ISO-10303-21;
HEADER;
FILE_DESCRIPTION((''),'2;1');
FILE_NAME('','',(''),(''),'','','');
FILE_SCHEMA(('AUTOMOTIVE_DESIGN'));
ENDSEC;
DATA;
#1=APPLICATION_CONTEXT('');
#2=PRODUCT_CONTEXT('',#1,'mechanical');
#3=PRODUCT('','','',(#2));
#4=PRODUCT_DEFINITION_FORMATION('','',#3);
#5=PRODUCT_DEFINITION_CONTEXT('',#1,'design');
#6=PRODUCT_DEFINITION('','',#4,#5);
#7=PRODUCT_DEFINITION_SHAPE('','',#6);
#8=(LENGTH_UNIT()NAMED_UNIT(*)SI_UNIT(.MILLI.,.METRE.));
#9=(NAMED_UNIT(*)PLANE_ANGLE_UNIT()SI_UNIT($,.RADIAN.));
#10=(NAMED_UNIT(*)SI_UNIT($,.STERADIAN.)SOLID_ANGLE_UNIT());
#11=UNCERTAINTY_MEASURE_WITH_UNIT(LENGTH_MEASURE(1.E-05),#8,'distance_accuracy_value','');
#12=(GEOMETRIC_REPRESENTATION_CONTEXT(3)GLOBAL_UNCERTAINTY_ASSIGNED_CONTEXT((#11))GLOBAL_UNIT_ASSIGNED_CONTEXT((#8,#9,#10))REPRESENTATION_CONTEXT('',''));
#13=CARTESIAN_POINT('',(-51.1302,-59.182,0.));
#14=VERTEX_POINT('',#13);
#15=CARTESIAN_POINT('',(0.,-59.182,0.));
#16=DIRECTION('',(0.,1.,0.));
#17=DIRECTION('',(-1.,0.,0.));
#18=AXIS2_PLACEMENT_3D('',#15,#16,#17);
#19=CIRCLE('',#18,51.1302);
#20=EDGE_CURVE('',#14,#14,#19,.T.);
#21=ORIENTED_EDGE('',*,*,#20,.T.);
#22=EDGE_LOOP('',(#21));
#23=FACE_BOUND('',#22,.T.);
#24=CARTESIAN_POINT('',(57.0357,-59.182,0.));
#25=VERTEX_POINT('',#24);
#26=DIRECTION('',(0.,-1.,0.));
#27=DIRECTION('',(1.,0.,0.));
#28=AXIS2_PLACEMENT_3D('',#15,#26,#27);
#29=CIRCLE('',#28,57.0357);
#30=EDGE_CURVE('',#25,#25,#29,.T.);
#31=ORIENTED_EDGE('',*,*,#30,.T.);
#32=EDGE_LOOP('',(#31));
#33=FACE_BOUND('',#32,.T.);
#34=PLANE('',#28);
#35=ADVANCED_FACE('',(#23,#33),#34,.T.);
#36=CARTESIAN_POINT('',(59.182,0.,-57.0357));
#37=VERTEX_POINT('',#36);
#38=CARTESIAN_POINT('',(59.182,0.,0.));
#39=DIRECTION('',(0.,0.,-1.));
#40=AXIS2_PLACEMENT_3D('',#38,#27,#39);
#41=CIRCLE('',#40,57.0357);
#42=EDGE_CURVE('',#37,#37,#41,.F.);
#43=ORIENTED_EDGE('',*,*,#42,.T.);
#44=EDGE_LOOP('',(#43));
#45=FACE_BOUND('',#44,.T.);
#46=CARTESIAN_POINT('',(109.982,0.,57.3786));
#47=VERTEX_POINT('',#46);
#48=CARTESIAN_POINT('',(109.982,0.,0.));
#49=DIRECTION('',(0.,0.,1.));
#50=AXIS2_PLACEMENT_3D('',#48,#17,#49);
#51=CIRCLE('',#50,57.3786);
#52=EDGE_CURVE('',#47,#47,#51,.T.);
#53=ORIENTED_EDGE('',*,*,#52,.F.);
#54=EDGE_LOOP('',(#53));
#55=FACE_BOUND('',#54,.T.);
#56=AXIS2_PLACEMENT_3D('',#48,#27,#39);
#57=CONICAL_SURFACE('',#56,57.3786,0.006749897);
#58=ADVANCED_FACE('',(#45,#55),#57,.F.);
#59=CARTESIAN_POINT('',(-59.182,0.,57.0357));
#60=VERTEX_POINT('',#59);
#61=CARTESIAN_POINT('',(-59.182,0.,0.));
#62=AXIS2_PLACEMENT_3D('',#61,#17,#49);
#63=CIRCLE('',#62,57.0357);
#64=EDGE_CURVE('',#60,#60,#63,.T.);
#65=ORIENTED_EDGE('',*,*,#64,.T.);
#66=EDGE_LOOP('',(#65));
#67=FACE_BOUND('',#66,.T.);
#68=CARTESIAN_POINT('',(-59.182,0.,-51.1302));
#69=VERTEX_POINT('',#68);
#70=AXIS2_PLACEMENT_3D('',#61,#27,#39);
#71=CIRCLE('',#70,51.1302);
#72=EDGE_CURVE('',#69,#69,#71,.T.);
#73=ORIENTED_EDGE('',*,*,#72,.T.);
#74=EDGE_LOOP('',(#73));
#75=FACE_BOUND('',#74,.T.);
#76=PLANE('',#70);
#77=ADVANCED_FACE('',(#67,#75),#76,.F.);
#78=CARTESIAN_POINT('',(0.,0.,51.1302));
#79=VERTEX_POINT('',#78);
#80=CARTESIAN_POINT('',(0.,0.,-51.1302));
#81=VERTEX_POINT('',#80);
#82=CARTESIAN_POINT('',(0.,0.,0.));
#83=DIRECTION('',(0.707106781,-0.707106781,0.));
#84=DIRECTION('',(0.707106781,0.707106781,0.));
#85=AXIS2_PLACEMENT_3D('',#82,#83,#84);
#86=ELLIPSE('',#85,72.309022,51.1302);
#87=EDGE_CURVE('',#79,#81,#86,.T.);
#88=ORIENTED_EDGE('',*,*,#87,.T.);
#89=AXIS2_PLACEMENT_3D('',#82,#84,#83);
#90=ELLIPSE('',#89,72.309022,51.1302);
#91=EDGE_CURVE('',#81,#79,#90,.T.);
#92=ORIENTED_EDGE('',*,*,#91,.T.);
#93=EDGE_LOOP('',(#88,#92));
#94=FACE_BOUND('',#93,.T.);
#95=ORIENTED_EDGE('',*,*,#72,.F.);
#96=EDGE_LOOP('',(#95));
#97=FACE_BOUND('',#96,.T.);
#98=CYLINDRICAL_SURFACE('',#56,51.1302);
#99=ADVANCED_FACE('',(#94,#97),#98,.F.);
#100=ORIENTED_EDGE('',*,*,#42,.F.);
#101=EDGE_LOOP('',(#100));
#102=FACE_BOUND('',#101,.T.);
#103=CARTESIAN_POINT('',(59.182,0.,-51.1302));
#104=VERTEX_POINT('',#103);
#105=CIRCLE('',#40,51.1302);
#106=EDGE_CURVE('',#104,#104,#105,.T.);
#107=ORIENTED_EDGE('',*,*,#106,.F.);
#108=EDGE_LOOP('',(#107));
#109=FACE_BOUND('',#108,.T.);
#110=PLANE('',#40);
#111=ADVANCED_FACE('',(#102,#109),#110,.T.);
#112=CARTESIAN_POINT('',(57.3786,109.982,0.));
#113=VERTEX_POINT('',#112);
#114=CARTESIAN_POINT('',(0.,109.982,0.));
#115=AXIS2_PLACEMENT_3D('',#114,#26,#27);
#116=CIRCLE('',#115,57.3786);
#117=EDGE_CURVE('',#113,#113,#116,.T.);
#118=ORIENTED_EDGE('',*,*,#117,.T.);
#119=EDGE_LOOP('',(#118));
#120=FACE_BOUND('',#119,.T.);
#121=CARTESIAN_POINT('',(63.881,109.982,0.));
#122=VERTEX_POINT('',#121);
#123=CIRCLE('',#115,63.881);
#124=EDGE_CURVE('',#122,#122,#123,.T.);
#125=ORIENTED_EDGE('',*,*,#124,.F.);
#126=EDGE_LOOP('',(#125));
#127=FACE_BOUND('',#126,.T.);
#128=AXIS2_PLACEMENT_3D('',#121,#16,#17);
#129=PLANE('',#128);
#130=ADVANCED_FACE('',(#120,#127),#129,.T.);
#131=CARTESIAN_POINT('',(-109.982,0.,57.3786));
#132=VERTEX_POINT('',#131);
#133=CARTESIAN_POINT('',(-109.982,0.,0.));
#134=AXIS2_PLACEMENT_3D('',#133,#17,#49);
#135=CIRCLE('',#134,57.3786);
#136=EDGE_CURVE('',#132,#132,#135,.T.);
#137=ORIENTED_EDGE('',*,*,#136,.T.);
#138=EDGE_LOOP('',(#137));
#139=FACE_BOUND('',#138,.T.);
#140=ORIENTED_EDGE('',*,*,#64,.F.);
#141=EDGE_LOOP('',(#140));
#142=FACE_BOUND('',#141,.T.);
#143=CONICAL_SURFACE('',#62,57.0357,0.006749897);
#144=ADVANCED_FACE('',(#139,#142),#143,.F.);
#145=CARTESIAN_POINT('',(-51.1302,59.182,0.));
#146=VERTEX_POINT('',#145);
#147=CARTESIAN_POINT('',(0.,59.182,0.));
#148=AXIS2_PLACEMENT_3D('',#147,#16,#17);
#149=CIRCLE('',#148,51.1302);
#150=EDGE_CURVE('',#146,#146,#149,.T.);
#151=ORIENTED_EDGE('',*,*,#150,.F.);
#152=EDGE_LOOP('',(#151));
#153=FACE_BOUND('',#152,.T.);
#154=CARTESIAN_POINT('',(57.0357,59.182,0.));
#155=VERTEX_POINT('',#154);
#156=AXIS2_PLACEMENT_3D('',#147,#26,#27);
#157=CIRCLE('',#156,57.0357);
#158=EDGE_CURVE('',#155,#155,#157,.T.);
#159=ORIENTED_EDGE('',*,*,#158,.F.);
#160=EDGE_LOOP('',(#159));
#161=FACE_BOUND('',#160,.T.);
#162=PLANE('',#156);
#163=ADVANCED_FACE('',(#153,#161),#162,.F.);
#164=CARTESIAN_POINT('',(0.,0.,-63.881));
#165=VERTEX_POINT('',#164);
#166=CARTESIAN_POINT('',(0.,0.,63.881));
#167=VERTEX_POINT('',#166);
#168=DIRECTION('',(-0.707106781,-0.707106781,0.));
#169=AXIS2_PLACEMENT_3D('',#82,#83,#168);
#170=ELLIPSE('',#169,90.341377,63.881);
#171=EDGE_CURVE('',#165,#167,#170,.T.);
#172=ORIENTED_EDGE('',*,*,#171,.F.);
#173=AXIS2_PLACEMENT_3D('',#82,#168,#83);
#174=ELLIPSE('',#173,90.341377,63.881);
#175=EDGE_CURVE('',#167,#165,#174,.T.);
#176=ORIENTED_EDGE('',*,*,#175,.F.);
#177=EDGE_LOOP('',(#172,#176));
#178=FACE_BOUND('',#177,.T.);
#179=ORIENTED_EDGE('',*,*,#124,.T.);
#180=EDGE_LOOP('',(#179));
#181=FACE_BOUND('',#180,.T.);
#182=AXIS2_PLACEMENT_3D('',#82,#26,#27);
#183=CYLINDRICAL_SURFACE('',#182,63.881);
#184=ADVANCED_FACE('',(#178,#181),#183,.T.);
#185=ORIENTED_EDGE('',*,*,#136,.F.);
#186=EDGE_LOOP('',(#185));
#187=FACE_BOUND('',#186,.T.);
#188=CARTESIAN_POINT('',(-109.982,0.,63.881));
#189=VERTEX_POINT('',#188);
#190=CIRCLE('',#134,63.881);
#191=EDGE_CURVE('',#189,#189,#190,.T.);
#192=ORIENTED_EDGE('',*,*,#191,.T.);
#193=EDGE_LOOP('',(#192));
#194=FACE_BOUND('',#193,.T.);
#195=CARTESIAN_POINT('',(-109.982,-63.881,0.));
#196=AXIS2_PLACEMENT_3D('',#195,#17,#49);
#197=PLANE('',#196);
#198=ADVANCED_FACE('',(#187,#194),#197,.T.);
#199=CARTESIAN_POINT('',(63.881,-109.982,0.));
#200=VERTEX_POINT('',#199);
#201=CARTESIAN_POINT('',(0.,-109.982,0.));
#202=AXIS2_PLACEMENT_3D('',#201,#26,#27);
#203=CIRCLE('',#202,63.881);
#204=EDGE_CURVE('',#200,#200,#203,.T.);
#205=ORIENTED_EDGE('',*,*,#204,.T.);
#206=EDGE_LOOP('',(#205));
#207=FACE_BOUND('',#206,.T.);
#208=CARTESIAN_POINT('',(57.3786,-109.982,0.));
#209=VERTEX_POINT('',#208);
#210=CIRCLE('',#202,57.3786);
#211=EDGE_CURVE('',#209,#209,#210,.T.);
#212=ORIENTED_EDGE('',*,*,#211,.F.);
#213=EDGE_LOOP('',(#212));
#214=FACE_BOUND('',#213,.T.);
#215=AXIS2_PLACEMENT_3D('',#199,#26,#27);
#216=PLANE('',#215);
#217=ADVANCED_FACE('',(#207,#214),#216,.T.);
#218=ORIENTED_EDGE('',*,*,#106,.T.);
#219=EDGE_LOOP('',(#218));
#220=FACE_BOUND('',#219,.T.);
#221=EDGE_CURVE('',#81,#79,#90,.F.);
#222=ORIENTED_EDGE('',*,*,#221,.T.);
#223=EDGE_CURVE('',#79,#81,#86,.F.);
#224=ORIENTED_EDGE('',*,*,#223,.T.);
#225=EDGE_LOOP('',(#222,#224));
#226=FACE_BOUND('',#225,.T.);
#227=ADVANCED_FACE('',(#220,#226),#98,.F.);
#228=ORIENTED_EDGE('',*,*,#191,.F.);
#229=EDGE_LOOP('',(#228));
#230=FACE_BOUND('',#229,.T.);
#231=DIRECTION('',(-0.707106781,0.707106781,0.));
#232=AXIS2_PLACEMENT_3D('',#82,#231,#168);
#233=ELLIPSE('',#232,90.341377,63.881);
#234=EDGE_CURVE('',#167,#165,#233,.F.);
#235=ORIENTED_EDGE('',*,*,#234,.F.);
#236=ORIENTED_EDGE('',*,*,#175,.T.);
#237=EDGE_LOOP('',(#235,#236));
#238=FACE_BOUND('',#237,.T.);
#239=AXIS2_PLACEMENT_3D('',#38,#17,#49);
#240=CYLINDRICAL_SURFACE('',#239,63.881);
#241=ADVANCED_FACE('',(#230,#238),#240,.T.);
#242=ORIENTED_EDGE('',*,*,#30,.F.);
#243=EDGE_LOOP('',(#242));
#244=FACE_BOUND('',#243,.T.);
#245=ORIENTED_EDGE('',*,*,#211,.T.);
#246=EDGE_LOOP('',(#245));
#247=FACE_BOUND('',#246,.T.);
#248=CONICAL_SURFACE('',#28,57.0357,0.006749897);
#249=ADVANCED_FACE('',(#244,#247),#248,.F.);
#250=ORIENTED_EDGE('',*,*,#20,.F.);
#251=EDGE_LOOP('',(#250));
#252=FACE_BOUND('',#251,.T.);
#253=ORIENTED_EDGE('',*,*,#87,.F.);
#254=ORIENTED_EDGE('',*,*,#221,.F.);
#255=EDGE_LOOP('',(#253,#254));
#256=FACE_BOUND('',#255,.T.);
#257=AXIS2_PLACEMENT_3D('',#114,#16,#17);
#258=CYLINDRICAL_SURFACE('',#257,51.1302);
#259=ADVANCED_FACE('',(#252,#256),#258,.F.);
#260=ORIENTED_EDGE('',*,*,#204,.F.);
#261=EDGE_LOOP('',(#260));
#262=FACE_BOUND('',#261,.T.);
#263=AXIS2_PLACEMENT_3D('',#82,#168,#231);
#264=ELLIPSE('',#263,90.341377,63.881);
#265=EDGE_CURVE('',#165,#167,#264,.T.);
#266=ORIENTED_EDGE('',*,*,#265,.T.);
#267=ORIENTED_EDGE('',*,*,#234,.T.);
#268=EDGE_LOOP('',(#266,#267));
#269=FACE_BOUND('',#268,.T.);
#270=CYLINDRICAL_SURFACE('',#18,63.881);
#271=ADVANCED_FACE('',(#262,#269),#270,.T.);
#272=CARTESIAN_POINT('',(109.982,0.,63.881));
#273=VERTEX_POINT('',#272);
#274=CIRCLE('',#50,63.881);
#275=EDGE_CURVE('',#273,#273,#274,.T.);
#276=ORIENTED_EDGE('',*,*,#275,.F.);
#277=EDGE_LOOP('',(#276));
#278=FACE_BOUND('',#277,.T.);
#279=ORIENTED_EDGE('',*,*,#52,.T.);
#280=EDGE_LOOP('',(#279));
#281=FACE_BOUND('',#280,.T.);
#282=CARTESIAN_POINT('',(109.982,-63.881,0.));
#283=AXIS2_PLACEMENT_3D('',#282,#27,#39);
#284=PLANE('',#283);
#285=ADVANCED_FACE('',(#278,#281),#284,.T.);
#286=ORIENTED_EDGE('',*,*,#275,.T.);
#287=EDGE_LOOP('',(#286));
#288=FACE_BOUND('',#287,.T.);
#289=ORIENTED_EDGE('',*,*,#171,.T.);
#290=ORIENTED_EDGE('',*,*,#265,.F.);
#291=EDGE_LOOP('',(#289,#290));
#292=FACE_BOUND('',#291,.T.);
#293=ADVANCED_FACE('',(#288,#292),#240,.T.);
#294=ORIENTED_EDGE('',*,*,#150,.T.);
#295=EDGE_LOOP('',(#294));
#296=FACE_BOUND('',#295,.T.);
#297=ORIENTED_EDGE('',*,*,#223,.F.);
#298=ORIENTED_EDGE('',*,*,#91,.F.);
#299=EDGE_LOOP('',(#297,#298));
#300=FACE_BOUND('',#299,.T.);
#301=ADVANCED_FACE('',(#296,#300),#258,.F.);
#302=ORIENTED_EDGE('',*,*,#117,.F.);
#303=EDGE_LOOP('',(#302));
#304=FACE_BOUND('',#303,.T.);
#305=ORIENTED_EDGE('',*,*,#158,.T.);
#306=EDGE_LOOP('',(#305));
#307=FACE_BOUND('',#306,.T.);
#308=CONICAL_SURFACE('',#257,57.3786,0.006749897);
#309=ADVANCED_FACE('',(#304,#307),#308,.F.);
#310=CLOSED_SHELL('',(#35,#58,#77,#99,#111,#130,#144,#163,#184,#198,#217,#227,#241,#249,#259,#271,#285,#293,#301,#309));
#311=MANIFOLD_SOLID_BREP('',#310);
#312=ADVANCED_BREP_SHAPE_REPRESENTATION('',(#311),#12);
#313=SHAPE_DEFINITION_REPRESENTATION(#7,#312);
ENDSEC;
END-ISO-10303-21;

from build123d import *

# Parameters (mm, degrees)
SKETCH4_R           = 63.881
BOSS_EXTRUDE1_DEPTH = 169.164
SKETCH5_R           = 63.881
BOSS_EXTRUDE2_DEPTH = 169.164


with BuildPart() as part:
    # Sketch1 → Revolve1 (revolve)
    with BuildSketch(Plane.XY):
        Polygon((-109.982, -63.881), (-59.182, -63.881), (-59.182, -57.0357), (-109.982, -57.3786), align=None)
        Polygon((109.982, -57.3786), (59.182, -57.0357), (59.182, -63.881), (109.982, -63.881), align=None)
    revolve(axis=Axis((-109.982, 0, 0), (1, 0, 0)))



with BuildPart() as body_2:
    # Sketch2 → Revolve2 (revolve)
    with BuildSketch(Plane.XY):
        Polygon((57.3786, 109.982), (57.0357, 59.182), (63.881, 59.182), (63.881, 109.982), align=None)
        Polygon((63.881, -109.982), (57.3786, -109.982), (57.0357, -59.182), (63.881, -59.182), align=None)
    revolve(axis=Axis((0, 0, 0), (0, 1, 0)))


with BuildPart() as part_1:
    add(part.part)

    add(body_2.part)  # Boss-Extrude1 merges body 2
    # Sketch4 → Boss-Extrude1 (add)
    with BuildSketch(Plane(origin=(-59.182, 0, 0), x_dir=(0, 0, -1), z_dir=(1, 0, 0))):
        Circle(SKETCH4_R)
    extrude(amount=BOSS_EXTRUDE1_DEPTH)

    # Sketch5 → Boss-Extrude2 (add)
    with BuildSketch(Plane.XZ.offset(-59.182)):
        Circle(SKETCH5_R)
    extrude(amount=BOSS_EXTRUDE2_DEPTH)

    # Sketch6 → Cut-Revolve1 (revolve, cut)
    with BuildSketch(Plane.XY):
        Polygon((-109.982, -57.3786), (-59.182, -57.0357), (-59.182, -51.1302), (59.182, -51.1302), (59.182, -57.0357), (109.982, -57.3786), (109.982, 0), (-109.982, 0), align=None)
    revolve(axis=Axis((109.982, 0, 0), (-1, 0, 0)), mode=Mode.SUBTRACT)

    # Sketch7 → Cut-Revolve2 (revolve, cut)
    with BuildSketch(Plane.XY):
        Polygon((57.3786, 109.982), (57.0357, 59.182), (51.1302, 59.182), (51.1302, -59.182), (57.0357, -59.182), (57.3786, -109.982), (0, -109.982), (0, 109.982), align=None)
    revolve(axis=Axis((0, 109.982, 0), (0, -1, 0)), mode=Mode.SUBTRACT)


solid = part_1.part
